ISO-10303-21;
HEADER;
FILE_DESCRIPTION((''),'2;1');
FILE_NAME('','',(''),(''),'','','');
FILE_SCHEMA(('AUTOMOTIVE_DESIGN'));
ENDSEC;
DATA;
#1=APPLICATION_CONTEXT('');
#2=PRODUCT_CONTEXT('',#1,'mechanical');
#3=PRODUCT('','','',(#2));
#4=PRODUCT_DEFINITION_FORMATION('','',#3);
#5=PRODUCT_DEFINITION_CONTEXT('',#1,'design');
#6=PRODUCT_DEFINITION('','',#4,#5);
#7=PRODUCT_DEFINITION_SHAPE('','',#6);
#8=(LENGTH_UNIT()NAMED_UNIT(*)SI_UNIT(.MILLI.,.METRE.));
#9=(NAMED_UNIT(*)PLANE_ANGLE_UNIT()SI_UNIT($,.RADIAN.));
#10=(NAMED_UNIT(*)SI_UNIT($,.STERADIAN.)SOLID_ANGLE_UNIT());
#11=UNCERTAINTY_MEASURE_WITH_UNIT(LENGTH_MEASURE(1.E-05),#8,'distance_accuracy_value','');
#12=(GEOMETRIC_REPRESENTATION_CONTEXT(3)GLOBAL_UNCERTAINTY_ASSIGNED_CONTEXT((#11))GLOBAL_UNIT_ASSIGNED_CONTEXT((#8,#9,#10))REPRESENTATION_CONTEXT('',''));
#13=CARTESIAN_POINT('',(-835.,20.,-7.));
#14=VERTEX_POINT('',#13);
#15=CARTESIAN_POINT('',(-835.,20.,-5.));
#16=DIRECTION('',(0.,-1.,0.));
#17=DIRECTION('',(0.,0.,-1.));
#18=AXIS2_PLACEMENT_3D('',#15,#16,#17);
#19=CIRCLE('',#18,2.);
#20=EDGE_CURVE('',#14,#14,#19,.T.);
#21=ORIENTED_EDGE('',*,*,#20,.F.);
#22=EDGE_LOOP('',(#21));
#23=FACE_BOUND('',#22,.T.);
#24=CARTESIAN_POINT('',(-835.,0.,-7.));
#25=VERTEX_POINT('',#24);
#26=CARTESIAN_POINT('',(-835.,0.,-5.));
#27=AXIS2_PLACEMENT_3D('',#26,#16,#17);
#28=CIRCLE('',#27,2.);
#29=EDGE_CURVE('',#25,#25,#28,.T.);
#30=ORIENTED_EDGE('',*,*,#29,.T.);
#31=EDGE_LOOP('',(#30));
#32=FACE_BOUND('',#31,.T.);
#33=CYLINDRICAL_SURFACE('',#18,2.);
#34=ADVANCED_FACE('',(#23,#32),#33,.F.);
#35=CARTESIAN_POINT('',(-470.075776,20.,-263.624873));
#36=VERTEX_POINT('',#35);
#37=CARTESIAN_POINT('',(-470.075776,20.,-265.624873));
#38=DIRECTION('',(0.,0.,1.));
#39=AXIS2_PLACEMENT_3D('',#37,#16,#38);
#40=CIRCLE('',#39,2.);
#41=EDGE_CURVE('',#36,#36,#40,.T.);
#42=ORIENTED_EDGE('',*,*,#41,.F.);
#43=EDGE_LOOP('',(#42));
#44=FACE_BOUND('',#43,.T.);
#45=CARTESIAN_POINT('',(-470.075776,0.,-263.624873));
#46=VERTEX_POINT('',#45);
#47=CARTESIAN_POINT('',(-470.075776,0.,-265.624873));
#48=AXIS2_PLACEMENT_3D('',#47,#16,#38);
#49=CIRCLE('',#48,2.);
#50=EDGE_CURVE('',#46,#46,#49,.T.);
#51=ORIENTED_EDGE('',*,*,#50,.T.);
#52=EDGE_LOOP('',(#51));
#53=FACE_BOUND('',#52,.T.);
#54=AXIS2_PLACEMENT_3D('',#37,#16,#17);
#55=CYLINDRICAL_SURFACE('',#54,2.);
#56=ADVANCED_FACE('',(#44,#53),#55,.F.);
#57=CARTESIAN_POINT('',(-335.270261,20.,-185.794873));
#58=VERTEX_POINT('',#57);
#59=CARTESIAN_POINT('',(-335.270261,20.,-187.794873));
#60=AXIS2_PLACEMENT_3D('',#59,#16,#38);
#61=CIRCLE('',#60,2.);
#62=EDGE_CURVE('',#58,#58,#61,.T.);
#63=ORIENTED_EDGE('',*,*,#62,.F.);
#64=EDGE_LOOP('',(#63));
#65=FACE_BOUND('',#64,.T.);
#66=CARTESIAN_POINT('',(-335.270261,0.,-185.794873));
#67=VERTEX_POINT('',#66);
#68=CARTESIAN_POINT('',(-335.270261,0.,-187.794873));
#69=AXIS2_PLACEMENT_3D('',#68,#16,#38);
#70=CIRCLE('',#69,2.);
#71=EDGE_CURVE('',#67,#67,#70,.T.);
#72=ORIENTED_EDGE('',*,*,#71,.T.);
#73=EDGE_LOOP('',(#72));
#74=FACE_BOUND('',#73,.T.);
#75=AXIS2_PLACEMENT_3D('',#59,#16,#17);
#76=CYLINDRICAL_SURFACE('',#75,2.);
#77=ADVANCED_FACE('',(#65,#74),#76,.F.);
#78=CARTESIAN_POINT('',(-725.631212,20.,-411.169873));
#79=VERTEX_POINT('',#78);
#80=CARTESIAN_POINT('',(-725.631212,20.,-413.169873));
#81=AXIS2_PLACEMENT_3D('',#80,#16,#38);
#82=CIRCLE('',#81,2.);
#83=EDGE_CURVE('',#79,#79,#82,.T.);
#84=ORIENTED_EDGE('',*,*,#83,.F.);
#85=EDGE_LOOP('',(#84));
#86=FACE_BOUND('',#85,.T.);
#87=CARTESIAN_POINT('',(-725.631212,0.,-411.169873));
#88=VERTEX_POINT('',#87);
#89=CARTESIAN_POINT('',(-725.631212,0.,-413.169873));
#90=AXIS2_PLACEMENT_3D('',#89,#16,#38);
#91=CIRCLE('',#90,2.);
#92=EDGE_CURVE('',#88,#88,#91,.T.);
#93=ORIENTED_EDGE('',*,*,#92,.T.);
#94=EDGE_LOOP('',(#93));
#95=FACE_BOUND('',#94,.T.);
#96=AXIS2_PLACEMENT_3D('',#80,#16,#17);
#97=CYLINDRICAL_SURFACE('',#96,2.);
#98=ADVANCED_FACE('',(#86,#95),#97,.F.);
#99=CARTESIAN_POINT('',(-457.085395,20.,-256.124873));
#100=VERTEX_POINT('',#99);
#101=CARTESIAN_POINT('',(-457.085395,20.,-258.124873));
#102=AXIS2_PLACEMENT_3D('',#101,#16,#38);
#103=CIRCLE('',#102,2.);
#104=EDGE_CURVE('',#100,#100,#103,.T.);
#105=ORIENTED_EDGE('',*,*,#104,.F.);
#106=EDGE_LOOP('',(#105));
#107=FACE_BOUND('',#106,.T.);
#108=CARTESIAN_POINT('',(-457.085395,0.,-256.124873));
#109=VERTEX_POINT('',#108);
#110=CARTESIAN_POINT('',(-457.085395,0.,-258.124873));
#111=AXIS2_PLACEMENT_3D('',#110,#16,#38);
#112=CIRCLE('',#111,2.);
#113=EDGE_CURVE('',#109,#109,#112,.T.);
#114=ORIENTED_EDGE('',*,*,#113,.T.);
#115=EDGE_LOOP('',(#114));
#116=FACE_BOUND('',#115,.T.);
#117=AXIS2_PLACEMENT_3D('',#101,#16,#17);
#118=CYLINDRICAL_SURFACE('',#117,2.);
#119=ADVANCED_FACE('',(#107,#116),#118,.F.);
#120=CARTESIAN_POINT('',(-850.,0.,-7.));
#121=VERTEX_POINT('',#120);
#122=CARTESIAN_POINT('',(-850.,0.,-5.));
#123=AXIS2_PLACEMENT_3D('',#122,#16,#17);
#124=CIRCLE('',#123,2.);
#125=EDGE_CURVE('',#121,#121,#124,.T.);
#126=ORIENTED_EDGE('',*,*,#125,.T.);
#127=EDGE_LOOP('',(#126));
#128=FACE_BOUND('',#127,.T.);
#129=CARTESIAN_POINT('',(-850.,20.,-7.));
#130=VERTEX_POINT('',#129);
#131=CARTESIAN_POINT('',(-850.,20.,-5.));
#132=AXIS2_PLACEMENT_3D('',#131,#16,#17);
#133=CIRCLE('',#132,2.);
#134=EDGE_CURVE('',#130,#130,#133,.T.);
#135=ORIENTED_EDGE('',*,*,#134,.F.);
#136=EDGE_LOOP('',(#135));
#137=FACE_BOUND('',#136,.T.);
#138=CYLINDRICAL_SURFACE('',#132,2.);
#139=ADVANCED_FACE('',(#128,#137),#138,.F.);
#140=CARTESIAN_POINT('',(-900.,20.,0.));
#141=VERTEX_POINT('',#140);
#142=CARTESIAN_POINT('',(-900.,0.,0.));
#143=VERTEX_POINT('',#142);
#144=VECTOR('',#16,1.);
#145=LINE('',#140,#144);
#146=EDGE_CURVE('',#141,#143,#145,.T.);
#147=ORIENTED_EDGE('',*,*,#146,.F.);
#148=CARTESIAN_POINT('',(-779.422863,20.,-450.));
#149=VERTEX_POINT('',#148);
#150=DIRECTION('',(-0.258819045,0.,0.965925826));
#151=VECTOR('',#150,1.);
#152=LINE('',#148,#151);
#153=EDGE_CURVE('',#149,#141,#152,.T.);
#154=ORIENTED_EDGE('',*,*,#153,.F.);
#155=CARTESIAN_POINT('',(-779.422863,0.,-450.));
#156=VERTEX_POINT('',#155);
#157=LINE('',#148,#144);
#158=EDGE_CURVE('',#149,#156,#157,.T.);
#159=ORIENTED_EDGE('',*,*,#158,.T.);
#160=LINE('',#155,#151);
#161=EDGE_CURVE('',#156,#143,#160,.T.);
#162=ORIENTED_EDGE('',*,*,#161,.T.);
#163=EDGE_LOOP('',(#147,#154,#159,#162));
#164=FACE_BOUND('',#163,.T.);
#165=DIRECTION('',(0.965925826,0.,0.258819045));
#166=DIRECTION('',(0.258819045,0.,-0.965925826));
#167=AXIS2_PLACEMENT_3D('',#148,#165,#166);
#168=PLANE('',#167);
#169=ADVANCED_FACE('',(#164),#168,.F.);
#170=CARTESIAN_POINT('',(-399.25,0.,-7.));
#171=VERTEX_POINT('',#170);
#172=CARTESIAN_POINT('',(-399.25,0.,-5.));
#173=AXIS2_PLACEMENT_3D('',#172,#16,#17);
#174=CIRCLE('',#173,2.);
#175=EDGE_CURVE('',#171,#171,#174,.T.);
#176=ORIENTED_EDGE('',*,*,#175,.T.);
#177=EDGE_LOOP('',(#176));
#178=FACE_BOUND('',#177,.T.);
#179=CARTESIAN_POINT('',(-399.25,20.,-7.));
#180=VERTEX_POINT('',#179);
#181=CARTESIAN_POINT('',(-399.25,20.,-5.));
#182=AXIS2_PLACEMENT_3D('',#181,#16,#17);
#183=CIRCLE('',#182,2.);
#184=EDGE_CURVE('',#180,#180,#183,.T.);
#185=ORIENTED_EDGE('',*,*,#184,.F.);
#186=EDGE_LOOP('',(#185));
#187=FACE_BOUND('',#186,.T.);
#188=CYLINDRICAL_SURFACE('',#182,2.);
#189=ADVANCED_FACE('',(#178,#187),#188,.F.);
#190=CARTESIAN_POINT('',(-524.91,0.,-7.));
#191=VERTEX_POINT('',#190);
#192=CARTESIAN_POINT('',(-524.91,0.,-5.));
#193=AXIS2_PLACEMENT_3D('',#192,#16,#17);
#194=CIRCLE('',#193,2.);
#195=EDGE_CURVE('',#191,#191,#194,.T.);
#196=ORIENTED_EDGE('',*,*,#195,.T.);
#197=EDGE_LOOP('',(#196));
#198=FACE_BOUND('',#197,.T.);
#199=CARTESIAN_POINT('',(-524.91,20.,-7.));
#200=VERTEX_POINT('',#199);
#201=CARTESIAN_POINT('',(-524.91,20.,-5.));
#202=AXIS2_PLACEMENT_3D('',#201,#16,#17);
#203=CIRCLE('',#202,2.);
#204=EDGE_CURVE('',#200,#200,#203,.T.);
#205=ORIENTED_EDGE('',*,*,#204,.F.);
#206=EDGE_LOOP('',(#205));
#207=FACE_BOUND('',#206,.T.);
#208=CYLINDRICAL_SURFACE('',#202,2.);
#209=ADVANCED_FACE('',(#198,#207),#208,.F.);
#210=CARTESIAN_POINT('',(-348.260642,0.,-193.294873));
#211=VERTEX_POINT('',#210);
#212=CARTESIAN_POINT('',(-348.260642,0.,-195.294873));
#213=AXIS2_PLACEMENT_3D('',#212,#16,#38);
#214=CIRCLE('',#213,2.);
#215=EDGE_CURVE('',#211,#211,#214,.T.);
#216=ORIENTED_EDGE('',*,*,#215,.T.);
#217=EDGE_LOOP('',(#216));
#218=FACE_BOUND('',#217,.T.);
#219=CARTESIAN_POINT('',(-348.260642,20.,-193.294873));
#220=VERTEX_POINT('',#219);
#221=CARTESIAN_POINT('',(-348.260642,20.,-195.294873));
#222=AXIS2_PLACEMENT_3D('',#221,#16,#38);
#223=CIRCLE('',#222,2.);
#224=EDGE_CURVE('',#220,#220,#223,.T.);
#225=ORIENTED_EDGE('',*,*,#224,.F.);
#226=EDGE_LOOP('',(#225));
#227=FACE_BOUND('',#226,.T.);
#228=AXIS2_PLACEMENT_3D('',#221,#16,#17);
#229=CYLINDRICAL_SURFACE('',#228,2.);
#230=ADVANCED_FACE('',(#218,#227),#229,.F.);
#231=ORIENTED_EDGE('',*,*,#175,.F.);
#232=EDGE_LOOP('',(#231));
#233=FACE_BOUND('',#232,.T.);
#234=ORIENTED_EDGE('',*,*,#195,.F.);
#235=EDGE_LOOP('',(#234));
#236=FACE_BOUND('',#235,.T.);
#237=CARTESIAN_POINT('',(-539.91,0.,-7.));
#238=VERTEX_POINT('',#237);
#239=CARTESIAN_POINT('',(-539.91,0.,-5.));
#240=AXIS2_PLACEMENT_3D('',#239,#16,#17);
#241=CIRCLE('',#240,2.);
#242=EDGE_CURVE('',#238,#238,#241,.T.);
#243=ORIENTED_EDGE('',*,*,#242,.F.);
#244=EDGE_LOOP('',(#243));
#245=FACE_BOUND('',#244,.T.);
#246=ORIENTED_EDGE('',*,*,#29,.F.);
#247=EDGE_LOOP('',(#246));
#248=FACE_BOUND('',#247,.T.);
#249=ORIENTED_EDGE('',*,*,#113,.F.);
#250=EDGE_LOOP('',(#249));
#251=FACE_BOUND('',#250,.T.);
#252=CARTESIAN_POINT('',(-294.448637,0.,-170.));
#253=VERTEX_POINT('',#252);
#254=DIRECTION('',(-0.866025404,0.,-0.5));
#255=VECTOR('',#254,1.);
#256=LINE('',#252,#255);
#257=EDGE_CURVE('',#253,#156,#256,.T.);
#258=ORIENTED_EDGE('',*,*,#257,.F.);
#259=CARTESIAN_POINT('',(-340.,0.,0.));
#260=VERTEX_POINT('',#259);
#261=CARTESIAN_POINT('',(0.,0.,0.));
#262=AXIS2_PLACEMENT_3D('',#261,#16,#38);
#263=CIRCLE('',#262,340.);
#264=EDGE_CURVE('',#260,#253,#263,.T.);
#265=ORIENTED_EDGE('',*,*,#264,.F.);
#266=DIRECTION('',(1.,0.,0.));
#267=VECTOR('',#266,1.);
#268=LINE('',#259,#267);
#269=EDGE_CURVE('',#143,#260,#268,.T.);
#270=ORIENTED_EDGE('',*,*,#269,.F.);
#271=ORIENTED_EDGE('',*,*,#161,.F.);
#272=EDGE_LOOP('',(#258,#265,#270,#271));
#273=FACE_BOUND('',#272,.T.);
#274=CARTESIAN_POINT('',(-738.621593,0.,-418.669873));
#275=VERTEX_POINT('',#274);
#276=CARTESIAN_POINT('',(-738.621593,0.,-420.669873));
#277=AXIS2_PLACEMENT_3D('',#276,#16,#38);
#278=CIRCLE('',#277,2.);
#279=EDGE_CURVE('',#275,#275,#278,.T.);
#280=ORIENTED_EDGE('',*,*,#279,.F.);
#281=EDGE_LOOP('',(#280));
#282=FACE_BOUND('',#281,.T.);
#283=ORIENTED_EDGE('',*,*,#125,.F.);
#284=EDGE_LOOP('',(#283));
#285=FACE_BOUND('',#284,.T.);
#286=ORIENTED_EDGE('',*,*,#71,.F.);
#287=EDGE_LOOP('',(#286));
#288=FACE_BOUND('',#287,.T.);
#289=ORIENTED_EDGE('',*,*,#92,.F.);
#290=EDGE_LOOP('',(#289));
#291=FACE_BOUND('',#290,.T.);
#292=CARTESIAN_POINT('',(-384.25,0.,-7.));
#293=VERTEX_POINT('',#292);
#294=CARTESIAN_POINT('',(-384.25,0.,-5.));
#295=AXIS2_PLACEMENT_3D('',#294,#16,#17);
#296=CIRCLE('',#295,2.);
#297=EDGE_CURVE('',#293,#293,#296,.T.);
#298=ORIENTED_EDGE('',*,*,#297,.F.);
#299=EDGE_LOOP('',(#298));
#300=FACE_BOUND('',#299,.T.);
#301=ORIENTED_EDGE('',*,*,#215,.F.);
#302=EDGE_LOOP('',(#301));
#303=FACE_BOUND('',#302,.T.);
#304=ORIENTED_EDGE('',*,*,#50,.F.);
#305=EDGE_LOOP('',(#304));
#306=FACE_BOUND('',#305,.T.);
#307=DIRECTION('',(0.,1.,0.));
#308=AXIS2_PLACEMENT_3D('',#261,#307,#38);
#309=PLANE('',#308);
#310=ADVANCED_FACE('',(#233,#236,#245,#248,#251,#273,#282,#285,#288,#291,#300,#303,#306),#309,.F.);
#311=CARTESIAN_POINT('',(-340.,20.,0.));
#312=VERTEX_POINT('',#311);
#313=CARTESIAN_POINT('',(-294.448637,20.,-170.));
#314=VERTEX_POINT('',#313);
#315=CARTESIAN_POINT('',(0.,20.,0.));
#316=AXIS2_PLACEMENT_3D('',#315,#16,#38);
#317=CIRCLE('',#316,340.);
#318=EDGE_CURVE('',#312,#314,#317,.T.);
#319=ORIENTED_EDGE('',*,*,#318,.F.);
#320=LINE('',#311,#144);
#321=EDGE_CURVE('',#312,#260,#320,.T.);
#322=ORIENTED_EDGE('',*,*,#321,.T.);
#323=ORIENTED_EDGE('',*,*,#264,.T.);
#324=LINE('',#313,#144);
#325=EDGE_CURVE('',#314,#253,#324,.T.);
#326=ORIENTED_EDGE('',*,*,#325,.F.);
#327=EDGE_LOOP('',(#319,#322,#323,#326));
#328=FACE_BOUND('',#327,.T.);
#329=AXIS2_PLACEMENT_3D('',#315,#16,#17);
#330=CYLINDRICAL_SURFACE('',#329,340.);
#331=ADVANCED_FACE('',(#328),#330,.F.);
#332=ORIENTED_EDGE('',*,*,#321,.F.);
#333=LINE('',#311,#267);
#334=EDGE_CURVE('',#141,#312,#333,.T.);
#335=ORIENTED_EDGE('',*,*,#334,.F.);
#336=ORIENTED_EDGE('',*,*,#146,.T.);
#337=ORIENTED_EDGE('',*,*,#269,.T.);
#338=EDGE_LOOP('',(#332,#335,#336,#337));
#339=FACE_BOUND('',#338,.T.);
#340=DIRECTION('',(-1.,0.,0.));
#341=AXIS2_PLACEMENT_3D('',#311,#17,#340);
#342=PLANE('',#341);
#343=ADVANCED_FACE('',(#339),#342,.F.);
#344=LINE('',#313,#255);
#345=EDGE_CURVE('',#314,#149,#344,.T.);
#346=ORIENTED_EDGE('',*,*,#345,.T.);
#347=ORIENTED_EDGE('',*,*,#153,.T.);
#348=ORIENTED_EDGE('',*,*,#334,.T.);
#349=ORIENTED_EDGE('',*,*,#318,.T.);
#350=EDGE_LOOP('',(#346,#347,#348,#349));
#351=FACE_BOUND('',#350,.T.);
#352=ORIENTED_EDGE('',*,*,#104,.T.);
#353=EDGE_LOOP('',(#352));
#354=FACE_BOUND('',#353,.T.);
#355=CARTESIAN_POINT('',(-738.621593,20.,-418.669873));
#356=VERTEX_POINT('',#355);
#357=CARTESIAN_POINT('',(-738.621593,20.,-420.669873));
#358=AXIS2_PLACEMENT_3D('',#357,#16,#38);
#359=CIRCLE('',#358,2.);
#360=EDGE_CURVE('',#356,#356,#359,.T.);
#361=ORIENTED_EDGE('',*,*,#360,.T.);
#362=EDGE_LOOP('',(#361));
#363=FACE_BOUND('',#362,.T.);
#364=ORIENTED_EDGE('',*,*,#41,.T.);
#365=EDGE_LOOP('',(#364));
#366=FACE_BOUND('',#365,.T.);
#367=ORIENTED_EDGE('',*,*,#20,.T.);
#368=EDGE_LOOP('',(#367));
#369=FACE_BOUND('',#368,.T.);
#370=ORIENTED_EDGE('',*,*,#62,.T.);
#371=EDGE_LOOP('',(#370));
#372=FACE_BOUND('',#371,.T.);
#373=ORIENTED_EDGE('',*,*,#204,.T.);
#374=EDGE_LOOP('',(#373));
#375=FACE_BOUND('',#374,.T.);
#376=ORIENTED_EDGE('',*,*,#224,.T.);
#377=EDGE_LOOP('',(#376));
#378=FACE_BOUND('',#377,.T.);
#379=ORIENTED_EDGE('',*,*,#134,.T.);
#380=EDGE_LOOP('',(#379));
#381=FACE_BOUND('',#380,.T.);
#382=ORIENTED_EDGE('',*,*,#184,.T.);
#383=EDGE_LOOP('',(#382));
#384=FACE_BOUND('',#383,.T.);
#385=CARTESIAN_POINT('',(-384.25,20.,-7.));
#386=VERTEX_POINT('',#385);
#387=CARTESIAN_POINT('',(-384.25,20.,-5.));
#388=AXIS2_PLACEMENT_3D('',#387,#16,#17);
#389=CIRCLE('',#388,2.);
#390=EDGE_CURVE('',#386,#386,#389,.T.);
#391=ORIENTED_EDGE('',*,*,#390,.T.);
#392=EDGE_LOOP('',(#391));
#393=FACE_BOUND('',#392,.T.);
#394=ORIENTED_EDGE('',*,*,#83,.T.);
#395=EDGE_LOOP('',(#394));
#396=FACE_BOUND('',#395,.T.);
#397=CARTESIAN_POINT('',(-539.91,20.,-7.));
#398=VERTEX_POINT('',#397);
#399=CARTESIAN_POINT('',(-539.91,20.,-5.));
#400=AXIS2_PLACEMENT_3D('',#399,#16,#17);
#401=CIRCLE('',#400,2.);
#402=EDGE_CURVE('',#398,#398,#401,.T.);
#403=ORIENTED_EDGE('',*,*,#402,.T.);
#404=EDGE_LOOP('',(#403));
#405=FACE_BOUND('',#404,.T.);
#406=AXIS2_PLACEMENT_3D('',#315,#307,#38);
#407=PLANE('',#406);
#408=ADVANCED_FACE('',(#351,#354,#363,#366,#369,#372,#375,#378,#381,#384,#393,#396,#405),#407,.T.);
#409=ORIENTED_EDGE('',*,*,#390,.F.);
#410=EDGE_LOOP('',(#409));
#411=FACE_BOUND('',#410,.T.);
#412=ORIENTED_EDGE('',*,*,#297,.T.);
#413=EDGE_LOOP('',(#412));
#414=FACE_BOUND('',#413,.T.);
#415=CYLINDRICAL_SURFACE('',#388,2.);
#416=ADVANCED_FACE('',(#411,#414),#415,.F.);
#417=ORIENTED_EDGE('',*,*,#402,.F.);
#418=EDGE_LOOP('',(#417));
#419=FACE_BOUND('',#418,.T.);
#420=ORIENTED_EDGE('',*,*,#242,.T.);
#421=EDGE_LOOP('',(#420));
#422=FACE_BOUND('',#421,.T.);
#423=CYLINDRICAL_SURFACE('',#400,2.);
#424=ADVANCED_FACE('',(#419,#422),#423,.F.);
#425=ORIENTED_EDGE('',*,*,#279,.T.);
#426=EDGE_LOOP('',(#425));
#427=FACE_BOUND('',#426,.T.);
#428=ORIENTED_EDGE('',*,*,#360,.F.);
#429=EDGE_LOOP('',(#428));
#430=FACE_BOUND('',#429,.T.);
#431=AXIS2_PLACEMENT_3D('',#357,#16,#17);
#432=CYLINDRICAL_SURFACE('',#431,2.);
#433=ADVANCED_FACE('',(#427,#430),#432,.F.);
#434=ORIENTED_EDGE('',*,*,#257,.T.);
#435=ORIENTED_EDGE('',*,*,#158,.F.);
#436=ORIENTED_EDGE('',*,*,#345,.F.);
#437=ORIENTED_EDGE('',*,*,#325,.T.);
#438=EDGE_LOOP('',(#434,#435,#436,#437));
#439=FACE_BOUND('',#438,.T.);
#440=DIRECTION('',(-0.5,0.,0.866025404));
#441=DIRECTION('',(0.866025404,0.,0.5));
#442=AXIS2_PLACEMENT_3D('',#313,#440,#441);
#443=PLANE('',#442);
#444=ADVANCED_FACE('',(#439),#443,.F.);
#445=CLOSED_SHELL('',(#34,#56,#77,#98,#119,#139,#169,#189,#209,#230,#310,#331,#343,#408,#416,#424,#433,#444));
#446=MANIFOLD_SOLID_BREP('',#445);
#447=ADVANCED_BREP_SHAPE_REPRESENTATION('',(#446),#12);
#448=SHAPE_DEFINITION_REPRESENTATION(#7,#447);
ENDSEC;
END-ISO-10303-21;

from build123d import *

# Parameters (mm, degrees)
BOSS_EXTRUDE1_DEPTH = 20
SKETCH2_R           = 2
CUT_EXTRUDE1_DEPTH  = 20


with BuildPart() as part:
    # Sketch1 → Boss-Extrude1 (new body)
    with BuildSketch(Plane(origin=(0, 0, 0), x_dir=(1, 0, 0), z_dir=(0, 1, 0))):
        with BuildLine():
            Line((-340, 0), (-900, 0))
            Line((-900, 0), (-779.422863406, 450))
            Line((-779.422863406, 450), (-294.448637287, 170))
            ThreePointArc((-294.448637287, 170), (-328.414780938, 87.998475335), (-340, 0))
        make_face()
    extrude(amount=BOSS_EXTRUDE1_DEPTH)

    # Sketch2 → Cut-Extrude1 (cut)
    with BuildSketch(Plane.XZ):
        with Locations(Location((-850, -5, 0), (0, 0, 270))):
            Circle(SKETCH2_R)
        with Locations(Location((-835, -5, 0), (0, 0, 270))):
            Circle(SKETCH2_R)
        with Locations(Location((-539.91, -5, 0), (0, 0, 270))):
            Circle(SKETCH2_R)
        with Locations(Location((-524.91, -5, 0), (0, 0, 270))):
            Circle(SKETCH2_R)
        with Locations(Location((-399.25, -5, 0), (0, 0, 270))):
            Circle(SKETCH2_R)
        with Locations(Location((-384.25, -5, 0), (0, 0, 270))):
            Circle(SKETCH2_R)
        with Locations(Location((-348.260642461, -195.294872981, 0), (0, 0, 90))):
            Circle(SKETCH2_R)
        with Locations(Location((-335.270261404, -187.794872981, 0), (0, 0, 90))):
            Circle(SKETCH2_R)
        with Locations(Location((-457.0853947, -258.124872981, 0), (0, 0, 90))):
            Circle(SKETCH2_R)
        with Locations(Location((-470.075775757, -265.624872981, 0), (0, 0, 90))):
            Circle(SKETCH2_R)
        with Locations(Location((-725.63121216, -413.169872981, 0), (0, 0, 90))):
            Circle(SKETCH2_R)
        with Locations(Location((-738.621593217, -420.669872981, 0), (0, 0, 90))):
            Circle(SKETCH2_R)
    extrude(amount=-CUT_EXTRUDE1_DEPTH, mode=Mode.SUBTRACT)


solid = part.part
